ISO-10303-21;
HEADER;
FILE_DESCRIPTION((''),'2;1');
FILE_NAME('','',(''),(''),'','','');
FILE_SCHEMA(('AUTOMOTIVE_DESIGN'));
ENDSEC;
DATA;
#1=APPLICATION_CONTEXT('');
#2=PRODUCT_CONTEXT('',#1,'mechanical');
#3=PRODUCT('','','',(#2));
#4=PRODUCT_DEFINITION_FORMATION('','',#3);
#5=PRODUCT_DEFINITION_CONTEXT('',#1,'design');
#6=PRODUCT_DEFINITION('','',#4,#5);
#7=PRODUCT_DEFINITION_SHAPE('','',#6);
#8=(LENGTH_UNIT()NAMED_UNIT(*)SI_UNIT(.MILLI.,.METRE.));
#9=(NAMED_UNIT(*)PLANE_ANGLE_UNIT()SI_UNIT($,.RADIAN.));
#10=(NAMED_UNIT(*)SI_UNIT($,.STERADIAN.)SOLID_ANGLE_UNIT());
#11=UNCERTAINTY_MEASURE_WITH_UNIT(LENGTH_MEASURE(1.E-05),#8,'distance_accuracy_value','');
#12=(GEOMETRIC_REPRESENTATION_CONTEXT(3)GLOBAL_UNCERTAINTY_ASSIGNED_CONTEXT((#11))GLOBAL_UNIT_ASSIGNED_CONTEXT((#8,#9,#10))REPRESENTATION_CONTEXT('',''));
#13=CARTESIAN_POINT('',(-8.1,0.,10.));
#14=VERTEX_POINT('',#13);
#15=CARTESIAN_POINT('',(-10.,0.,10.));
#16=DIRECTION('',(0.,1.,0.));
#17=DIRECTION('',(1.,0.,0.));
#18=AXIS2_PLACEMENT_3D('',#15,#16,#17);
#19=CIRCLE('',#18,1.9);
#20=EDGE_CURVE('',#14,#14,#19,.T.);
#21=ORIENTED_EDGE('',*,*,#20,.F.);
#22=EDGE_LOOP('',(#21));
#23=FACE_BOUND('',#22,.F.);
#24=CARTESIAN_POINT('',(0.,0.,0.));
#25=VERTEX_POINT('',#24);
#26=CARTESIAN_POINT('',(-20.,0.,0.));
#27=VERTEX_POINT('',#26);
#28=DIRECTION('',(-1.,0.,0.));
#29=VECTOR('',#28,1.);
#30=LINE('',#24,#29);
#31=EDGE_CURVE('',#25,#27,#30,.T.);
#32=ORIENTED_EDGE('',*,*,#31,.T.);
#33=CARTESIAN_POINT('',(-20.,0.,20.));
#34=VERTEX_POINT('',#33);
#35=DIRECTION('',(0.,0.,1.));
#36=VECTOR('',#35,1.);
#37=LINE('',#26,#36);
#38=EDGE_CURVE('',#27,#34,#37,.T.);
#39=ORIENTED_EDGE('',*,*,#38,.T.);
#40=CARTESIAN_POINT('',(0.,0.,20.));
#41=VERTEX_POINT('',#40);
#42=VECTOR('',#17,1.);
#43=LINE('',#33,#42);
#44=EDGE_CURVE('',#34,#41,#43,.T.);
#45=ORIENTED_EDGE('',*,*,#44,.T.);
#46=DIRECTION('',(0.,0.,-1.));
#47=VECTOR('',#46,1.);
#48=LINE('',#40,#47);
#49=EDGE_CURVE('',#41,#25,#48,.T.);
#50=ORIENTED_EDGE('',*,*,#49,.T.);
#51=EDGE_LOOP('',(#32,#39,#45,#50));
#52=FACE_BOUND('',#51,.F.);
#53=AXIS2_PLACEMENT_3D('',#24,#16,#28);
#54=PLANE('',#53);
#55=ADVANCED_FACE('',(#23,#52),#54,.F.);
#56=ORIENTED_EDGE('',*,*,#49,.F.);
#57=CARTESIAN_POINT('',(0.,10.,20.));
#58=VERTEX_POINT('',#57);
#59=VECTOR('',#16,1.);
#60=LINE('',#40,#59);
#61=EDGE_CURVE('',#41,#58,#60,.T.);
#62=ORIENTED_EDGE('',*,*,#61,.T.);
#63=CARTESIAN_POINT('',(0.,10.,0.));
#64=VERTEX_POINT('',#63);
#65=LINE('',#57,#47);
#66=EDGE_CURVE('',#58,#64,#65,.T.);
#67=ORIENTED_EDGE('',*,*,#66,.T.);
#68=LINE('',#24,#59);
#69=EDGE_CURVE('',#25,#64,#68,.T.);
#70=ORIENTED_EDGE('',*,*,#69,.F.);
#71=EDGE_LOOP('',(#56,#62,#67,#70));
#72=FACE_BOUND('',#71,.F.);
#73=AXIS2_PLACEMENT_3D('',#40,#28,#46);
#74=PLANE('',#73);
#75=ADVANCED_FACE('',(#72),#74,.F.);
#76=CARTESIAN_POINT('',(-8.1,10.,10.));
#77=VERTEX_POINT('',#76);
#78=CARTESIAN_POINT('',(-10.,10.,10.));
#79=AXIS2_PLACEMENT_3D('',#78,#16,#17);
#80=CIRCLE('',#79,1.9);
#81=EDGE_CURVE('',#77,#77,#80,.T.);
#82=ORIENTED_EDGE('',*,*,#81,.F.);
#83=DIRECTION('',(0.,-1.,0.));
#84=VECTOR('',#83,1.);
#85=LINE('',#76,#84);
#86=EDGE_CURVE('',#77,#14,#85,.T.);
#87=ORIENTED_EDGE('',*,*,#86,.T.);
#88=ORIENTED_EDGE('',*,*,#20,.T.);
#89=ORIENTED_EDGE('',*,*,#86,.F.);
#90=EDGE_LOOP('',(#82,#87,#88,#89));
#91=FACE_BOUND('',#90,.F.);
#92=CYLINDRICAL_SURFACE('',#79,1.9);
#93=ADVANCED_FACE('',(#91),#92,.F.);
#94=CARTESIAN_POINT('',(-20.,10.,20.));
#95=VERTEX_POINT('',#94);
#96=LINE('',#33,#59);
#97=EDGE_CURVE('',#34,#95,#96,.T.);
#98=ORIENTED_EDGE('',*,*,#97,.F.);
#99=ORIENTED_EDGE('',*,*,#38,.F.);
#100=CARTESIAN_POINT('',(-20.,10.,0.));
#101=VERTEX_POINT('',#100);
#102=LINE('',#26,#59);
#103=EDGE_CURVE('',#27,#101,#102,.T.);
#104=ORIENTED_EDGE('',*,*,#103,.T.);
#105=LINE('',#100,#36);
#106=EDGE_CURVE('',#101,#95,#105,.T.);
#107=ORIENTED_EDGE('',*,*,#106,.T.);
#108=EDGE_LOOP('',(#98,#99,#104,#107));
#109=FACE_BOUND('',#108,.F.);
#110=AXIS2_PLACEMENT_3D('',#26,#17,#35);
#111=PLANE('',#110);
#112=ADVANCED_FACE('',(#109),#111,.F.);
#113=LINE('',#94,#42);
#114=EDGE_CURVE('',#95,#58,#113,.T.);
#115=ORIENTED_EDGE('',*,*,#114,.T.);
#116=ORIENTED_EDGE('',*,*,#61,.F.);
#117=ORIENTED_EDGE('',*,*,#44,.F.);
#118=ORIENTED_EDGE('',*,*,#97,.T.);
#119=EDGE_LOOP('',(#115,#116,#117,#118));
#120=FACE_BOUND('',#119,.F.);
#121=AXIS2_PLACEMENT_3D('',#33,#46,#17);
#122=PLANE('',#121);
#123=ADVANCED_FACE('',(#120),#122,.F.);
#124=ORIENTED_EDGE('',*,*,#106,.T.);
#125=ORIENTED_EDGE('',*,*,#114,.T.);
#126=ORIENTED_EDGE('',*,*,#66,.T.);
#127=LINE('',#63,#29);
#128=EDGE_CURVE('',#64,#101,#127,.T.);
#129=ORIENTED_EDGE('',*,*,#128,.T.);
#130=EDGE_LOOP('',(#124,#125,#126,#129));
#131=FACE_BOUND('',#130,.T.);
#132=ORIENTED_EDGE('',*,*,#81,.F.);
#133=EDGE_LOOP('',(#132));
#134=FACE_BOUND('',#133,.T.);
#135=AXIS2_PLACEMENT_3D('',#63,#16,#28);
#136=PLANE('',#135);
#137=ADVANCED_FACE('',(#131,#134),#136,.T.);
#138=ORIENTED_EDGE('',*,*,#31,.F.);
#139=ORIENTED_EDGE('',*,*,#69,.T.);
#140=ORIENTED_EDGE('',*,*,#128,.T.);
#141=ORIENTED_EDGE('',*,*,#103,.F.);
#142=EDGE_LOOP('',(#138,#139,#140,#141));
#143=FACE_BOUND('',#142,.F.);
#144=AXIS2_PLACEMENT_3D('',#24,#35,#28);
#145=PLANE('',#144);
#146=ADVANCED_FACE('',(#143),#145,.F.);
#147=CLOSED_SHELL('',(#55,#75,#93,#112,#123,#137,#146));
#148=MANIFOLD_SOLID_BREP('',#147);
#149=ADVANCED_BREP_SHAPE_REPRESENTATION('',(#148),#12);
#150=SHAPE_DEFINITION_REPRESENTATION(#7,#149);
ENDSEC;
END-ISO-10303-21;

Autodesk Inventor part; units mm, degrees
ref_plane "YZ Plane" through (0, 0, 0) normal (1, 0, 0) x (0, 1, 0)
ref_plane "XZ Plane" through (0, 0, 0) normal (0, 1, 0) x (-1, 0, 0)
ref_plane "XY Plane" through (0, 0, 0) normal (0, 0, 1) x (1, 0, 0)
sketch "Sketch1" plane through (0, 0, 0) normal (0, 1, 0) x (-1, 0, 0)
  line L0 (0, 0) -> (20, 0)
  line L1 (20, 0) -> (20, 20)
  line L2 (20, 20) -> (0, 20)
  line L3 (0, 20) -> (0, 0)
  dimension "d0" = 20
  dimension "d1" = 20
extrude "Extrusion1" add sketch "Sketch1" along normal blind 10
sketch "Sketch2" plane through (0, 10, 0) normal (0, 1, 0) x (1, 0, 0)
  line L0 (0, 0) -> (-20, 0) construction
  line L1 (-10, 0) -> (-10, -20) construction
  line L2 (-20, -20) -> (0, -20) construction
  line L3 (-20, 0) -> (-20, -20) construction
  line L4 (-20, -10) -> (0, -10) construction
  line L5 (0, -20) -> (0, 0) construction
  circle A0 centre (-10, -10) radius 1.9
  dimension "d4" = 3.8
extrude "Extrusion3" cut sketch "Sketch2" against normal blind 20
properties part number "_3DPrint"
